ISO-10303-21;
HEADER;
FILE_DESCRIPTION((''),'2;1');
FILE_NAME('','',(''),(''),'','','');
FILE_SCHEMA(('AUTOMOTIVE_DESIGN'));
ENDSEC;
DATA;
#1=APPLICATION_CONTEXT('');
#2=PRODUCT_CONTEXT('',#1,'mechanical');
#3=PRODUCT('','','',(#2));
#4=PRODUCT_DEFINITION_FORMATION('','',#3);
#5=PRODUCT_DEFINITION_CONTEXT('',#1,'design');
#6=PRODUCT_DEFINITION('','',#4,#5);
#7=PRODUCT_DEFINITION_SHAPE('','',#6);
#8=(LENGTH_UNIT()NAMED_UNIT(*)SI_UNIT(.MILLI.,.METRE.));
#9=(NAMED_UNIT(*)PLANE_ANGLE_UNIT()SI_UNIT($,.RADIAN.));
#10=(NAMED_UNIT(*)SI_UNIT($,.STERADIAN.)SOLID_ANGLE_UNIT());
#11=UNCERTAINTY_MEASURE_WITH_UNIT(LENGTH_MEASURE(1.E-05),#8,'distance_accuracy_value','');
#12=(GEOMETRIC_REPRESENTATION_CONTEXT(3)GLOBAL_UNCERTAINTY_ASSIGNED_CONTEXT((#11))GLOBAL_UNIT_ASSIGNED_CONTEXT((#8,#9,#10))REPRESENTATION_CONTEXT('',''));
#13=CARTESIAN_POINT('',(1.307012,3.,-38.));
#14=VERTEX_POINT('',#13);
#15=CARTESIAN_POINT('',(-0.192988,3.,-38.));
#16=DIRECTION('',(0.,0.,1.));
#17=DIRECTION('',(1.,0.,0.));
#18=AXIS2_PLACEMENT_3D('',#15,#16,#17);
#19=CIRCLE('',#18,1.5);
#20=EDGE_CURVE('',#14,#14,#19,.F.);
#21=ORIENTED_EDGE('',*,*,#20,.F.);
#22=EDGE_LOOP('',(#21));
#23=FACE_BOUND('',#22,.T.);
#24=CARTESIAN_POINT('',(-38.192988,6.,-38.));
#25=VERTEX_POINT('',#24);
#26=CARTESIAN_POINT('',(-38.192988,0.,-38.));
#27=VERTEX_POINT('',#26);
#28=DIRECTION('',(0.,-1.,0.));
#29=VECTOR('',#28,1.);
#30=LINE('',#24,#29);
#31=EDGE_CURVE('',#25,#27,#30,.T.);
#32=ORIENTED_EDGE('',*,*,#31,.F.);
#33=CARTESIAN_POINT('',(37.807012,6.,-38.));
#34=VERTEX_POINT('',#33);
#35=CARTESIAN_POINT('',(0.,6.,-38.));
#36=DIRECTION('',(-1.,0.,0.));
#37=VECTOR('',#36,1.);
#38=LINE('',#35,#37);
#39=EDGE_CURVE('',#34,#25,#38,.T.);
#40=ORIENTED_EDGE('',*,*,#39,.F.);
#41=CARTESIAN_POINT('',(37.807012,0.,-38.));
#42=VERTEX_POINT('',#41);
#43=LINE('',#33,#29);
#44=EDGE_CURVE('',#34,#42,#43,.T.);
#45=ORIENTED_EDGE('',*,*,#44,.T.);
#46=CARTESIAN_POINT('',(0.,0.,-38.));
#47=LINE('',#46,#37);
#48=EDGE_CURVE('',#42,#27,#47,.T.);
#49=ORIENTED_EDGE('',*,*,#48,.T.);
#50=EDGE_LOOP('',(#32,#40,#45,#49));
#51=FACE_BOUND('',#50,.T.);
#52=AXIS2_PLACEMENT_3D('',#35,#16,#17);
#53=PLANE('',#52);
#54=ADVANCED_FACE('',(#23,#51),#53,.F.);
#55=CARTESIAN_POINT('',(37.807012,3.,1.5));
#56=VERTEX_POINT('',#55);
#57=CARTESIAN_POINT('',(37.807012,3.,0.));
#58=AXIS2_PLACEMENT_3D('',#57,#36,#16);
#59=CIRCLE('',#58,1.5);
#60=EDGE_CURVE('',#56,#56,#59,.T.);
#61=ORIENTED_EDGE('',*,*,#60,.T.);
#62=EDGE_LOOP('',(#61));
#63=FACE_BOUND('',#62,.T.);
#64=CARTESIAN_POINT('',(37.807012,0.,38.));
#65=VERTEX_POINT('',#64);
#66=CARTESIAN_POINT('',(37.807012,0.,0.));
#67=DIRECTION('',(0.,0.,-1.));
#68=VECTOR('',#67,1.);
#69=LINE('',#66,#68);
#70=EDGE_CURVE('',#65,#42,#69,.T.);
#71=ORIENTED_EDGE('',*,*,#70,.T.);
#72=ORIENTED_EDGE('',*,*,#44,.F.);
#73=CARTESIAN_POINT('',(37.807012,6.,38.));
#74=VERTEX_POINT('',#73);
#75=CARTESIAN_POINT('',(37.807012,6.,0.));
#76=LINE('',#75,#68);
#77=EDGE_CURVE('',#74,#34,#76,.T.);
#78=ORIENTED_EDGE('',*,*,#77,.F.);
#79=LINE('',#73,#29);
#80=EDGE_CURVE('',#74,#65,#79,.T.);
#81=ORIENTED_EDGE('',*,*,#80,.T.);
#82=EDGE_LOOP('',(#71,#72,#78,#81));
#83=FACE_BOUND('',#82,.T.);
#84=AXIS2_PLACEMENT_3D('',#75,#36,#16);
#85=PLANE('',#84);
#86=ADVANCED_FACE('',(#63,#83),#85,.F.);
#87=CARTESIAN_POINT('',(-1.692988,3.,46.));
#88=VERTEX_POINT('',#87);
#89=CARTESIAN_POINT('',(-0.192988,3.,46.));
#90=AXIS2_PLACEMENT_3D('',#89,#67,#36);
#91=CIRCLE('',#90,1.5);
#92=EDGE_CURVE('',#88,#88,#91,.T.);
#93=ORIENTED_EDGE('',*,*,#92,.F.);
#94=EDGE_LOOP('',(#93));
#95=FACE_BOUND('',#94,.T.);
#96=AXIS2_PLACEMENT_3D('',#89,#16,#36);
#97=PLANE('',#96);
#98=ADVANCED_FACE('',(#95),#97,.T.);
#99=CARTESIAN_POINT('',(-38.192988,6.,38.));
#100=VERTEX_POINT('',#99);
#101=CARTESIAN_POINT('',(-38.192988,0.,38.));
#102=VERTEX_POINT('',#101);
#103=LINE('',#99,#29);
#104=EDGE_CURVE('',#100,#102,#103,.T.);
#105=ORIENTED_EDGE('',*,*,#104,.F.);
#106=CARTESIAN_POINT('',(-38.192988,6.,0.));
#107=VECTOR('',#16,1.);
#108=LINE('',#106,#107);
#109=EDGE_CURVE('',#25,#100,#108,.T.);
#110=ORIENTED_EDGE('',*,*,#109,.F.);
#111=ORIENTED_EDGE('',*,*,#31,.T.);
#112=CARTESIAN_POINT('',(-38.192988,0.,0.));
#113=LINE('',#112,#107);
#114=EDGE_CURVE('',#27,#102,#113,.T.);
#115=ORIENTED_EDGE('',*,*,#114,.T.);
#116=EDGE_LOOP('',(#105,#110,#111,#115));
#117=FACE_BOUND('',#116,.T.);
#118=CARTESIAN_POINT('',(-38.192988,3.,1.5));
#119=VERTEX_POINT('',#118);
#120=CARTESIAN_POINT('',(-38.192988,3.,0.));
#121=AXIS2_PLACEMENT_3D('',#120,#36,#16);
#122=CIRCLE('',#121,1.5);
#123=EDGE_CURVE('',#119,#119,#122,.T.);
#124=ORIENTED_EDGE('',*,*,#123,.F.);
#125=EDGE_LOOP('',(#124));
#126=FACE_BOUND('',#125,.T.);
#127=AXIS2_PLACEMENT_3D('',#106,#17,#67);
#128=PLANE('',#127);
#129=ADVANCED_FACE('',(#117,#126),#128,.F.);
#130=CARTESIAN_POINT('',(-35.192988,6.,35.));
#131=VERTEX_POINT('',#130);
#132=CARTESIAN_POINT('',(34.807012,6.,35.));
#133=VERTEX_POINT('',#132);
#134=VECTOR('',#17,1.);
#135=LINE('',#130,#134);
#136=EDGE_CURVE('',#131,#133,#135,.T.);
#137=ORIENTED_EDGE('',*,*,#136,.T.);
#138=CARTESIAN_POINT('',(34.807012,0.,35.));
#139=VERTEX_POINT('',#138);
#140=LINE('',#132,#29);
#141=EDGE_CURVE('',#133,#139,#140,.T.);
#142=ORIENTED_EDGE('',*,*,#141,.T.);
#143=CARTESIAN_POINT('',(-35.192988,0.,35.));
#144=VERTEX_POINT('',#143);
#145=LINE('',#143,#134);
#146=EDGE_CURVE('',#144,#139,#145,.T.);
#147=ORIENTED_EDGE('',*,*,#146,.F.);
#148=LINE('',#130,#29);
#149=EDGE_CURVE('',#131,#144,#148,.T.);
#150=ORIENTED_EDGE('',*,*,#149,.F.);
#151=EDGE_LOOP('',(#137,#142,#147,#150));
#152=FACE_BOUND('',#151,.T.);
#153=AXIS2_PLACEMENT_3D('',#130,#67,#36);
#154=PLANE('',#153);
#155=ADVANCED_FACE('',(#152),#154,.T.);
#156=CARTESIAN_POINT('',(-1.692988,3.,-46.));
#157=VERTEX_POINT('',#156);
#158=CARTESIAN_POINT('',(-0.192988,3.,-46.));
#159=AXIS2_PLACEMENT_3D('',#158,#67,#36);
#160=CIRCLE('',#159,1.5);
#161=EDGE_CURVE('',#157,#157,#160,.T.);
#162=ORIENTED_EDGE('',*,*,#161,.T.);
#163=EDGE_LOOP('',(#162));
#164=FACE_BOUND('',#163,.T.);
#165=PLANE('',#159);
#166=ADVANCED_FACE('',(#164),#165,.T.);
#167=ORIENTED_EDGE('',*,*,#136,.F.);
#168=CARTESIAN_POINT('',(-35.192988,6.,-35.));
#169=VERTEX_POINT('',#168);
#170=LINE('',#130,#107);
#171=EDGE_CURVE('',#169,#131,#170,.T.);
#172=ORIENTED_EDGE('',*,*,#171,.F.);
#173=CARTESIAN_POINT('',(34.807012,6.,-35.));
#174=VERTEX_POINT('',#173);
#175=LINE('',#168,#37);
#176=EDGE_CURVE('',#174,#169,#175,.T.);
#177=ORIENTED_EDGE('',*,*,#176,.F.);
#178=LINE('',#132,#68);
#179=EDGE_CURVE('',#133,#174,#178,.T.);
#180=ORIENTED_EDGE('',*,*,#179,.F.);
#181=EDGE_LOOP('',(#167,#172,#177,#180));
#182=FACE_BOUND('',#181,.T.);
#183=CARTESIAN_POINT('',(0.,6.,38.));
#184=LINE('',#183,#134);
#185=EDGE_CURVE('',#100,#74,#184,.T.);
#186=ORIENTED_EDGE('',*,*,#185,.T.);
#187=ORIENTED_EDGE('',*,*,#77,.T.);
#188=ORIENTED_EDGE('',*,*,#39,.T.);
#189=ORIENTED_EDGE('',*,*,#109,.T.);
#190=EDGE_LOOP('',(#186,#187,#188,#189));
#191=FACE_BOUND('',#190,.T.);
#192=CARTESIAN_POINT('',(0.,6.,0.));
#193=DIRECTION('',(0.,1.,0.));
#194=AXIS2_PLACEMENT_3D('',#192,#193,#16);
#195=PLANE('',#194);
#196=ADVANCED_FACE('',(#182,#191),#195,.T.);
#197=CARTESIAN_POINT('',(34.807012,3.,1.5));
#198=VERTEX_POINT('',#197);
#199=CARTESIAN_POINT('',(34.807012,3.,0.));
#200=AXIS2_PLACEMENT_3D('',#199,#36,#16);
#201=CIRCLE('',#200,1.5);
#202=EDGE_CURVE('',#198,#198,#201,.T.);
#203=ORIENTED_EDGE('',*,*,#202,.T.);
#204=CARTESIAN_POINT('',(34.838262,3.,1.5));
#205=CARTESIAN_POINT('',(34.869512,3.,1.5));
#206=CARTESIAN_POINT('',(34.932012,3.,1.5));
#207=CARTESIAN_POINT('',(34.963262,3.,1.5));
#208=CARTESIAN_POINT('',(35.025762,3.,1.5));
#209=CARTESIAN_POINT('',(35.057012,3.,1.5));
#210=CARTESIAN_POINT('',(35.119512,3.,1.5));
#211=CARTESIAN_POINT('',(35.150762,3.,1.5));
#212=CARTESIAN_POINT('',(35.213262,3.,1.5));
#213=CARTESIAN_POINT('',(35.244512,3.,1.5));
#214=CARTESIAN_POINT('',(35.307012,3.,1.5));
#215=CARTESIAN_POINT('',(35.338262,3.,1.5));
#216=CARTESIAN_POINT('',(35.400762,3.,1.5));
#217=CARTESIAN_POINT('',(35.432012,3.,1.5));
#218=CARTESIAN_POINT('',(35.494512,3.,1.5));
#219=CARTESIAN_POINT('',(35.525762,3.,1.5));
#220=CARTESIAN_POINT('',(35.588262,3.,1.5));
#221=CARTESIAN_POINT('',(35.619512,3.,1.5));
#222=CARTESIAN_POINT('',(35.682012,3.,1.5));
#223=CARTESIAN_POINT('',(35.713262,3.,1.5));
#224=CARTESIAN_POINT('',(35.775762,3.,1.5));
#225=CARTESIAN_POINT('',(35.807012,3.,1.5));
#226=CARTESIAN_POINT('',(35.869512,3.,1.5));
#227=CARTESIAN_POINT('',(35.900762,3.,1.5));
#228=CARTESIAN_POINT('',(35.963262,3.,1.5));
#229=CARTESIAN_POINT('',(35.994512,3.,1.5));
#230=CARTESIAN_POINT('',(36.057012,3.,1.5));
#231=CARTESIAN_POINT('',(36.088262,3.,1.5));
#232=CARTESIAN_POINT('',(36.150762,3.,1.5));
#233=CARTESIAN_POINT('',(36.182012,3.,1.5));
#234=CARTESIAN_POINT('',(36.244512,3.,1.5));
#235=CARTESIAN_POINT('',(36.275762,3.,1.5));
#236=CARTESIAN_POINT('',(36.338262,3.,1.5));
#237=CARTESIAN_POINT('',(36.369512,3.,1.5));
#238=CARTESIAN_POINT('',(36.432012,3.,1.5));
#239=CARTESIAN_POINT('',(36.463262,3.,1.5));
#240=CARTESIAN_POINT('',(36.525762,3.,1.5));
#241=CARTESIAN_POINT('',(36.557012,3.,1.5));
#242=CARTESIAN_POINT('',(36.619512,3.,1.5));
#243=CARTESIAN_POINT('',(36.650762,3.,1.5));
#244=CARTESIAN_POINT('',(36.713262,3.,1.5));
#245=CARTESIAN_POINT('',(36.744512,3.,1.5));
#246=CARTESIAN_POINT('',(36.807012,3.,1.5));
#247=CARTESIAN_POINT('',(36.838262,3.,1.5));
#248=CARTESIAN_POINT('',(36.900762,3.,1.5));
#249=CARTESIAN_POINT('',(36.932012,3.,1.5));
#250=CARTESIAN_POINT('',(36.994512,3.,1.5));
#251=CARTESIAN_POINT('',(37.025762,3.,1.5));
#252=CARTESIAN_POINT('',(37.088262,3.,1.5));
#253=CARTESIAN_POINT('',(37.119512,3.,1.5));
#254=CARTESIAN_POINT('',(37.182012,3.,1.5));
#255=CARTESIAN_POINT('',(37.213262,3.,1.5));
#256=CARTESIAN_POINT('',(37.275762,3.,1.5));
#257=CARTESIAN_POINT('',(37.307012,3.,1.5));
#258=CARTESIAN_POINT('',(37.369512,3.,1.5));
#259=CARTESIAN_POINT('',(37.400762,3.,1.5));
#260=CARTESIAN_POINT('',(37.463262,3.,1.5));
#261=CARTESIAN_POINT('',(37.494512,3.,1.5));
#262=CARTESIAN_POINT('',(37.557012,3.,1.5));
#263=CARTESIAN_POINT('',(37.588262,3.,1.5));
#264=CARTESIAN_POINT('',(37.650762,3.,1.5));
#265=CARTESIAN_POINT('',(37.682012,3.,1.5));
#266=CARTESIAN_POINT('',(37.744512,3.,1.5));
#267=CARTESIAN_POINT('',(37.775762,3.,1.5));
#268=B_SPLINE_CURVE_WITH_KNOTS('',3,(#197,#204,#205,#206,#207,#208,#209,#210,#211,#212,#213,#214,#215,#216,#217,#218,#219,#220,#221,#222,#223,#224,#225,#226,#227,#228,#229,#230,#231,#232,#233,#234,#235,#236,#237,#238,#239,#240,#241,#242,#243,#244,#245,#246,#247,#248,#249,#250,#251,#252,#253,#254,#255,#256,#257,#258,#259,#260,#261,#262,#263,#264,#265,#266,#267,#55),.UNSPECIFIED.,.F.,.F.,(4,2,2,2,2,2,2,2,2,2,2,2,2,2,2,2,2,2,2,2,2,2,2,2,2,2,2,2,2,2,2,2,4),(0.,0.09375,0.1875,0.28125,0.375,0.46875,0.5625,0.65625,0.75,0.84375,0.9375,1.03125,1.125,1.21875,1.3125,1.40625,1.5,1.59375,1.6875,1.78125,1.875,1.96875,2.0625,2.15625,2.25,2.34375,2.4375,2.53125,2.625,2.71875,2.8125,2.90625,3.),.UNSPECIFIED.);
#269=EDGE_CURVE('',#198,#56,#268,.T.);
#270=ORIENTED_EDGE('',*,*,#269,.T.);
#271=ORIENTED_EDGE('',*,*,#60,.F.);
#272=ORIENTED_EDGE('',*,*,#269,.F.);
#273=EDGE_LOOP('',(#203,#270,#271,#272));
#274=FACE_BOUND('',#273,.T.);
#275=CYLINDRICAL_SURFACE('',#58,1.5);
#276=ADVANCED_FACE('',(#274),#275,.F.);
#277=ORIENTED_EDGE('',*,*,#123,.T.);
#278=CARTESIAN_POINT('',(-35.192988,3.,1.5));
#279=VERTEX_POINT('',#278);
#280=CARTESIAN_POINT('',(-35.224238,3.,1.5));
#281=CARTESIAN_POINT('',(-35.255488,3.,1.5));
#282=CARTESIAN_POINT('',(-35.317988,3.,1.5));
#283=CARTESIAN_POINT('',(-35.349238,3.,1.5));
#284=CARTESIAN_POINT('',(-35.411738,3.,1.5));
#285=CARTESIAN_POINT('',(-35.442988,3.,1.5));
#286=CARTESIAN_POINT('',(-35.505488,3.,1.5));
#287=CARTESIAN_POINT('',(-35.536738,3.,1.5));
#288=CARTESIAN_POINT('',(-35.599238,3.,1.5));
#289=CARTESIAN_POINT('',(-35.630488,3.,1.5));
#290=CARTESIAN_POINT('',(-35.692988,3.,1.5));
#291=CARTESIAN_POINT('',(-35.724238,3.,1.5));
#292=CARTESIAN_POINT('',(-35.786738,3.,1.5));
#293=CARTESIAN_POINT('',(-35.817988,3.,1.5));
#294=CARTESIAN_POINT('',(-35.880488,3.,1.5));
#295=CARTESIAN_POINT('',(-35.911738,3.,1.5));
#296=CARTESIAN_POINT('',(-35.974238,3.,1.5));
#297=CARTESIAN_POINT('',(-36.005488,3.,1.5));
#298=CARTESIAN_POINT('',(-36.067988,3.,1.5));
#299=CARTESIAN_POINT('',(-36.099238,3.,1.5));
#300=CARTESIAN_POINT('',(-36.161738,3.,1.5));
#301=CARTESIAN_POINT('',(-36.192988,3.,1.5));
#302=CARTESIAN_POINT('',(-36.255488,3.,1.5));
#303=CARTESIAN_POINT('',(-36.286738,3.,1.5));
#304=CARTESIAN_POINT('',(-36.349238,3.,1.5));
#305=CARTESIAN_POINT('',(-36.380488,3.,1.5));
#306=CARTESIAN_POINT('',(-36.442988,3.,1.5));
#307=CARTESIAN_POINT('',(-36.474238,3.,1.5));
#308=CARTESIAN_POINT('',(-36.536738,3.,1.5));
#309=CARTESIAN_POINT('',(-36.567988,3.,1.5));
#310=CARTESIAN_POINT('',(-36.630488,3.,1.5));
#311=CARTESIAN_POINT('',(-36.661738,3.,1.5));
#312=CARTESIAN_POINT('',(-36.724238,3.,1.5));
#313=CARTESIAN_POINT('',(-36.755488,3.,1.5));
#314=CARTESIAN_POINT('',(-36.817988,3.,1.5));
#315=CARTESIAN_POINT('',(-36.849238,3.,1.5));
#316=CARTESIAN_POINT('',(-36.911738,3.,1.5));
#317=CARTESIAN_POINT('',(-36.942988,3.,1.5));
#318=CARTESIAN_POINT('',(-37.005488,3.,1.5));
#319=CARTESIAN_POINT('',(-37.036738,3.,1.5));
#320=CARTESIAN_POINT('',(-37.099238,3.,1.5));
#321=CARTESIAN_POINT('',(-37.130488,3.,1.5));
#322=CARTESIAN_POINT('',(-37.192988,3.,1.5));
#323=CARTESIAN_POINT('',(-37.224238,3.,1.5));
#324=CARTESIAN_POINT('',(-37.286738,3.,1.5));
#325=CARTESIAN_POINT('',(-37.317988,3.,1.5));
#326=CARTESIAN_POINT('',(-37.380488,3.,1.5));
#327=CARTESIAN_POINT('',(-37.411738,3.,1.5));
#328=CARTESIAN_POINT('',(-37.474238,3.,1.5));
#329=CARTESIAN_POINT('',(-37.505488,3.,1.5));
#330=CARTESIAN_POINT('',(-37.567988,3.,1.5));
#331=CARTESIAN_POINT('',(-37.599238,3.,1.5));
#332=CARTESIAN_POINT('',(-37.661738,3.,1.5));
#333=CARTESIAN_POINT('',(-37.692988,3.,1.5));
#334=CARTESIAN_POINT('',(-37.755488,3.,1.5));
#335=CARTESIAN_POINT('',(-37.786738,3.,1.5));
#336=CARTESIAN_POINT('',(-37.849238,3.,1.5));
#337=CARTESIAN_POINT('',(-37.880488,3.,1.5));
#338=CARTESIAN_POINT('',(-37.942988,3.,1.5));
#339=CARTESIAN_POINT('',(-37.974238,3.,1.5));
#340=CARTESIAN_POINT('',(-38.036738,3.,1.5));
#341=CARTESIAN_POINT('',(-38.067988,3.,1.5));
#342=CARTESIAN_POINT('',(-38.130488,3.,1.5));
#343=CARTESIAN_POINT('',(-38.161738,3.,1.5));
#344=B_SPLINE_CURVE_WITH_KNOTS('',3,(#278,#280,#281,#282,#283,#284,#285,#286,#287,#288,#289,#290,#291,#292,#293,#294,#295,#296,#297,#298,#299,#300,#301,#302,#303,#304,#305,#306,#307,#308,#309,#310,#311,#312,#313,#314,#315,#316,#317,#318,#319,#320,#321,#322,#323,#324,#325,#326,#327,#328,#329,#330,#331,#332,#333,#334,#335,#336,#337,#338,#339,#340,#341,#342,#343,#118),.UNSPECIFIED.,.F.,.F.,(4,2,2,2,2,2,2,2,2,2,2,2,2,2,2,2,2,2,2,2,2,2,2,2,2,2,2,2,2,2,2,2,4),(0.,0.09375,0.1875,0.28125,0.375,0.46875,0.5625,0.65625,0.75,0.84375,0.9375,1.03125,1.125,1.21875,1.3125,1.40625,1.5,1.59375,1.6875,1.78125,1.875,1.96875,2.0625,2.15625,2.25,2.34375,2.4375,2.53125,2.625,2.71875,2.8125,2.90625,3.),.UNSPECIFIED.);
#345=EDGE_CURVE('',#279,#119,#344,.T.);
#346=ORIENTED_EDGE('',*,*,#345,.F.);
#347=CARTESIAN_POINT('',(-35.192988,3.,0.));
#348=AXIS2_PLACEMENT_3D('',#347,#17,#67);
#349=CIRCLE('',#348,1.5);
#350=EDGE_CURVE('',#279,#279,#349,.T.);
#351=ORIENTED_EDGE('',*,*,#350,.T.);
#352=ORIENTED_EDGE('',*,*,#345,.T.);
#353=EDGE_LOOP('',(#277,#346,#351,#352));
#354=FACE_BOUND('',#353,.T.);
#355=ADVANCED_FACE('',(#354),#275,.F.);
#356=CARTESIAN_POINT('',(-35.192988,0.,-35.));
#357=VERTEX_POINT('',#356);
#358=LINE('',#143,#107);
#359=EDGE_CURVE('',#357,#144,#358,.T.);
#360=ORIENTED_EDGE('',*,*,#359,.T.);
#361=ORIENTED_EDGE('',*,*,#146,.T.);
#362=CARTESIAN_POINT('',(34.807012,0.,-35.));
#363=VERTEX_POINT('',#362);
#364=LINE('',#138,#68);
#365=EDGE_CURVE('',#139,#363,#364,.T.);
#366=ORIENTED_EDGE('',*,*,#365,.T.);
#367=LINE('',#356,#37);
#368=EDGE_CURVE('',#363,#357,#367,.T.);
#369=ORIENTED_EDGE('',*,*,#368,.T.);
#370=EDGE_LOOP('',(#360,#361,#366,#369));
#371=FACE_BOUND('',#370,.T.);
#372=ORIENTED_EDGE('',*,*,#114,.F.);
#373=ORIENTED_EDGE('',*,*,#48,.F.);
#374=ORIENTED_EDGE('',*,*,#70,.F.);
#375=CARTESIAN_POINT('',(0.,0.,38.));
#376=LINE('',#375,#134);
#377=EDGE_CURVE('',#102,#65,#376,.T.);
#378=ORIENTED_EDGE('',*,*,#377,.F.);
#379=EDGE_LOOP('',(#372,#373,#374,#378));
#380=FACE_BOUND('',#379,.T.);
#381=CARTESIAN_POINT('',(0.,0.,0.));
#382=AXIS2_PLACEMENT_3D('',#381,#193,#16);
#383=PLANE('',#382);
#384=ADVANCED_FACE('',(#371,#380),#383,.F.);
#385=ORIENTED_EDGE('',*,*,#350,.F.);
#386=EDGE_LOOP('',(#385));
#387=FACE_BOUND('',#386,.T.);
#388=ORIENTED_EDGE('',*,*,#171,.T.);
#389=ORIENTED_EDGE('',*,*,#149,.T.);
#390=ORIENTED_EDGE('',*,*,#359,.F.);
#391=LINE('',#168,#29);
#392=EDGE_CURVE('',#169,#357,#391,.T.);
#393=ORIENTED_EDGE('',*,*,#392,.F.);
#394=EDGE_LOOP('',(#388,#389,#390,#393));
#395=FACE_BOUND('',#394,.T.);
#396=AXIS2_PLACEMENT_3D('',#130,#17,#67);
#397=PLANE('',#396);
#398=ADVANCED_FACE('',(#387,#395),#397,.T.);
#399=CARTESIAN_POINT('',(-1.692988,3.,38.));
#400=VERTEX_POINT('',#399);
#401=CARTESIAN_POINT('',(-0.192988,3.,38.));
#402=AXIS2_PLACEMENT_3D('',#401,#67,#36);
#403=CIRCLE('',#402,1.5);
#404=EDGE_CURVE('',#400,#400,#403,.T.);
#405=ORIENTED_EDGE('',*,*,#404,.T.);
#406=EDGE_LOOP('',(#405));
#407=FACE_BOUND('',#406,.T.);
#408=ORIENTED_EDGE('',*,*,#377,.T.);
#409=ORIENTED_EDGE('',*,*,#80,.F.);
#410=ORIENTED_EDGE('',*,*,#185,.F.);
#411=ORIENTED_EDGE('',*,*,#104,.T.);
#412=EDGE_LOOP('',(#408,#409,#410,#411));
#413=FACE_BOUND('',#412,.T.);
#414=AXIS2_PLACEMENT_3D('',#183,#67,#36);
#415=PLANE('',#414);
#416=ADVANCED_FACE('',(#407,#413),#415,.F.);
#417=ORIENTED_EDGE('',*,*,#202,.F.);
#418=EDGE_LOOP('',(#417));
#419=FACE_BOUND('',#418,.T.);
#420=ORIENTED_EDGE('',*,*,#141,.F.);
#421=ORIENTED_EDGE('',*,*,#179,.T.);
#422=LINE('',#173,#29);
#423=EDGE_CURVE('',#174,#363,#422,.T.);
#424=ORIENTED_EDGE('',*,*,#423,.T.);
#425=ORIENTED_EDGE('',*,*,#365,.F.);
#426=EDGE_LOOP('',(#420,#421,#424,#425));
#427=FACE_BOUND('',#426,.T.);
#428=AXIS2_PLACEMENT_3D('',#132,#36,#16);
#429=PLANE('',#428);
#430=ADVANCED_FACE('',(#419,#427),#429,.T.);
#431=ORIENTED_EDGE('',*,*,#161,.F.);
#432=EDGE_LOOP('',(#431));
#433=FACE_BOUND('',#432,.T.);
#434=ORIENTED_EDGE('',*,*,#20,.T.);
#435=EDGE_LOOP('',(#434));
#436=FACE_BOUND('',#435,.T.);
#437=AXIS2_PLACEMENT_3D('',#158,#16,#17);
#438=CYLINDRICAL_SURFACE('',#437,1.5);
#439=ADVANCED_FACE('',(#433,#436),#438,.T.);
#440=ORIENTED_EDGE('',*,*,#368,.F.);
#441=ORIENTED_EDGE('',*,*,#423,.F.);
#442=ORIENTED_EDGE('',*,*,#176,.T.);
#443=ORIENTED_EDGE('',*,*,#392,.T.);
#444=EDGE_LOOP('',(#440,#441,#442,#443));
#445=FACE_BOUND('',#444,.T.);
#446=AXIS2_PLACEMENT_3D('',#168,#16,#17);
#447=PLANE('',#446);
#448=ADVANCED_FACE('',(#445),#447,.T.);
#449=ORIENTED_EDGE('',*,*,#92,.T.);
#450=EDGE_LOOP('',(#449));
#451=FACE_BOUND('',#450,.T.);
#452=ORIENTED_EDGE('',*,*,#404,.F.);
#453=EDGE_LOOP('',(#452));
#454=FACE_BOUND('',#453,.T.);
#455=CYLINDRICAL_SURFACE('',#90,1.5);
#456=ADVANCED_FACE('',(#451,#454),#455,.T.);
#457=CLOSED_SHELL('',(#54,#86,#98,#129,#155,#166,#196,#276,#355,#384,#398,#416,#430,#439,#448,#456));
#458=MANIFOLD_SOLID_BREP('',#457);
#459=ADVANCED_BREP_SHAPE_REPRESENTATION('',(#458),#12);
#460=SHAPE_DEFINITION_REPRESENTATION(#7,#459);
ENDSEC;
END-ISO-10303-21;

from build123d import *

# Parameters (mm, degrees)
SKETCH1_W               = 76
SKETCH1_H               = 76
SKETCH1_W_2             = 70
SKETCH1_H_2             = 70
EXTRUDE_THIN1_DEPTH     = 6
CUT_EXTRUDE1_DEPTH      = 83.516664984
CUT_EXTRUDE1_DEPTH_BACK = 83.516664984
SKETCH2_R               = 1.5
SKETCH3_R               = 1.5
BOSS_EXTRUDE1_DEPTH     = 8


with BuildPart() as part:
    # Sketch1 → Extrude-Thin1 (new body)
    with BuildSketch(Plane(origin=(0, 0, 0), x_dir=(1, 0, 0), z_dir=(0, 1, 0))):
        with Locations((-0.192988196, 0)):
            Rectangle(SKETCH1_W, SKETCH1_H)
        with Locations((-0.192988196, 0)):
            Rectangle(SKETCH1_W_2, SKETCH1_H_2, mode=Mode.SUBTRACT)
    extrude(amount=EXTRUDE_THIN1_DEPTH)

    # Sketch2 → Cut-Extrude1 (cut, two sides: drawn at the far end of the back side and taken through both)
    with BuildSketch(Plane.ZY.offset(-34.807011804).offset(-CUT_EXTRUDE1_DEPTH_BACK)):
        with Locations((0, 3)):
            Circle(SKETCH2_R)
    extrude(amount=CUT_EXTRUDE1_DEPTH + CUT_EXTRUDE1_DEPTH_BACK, mode=Mode.SUBTRACT)

    # Sketch3 → Boss-Extrude1 (add)
    with BuildSketch(Plane(origin=(0, 0, -38), x_dir=(-1, 0, 0), z_dir=(0, 0, -1))):
        with Locations(Location((0.192988196, 3, 0), (0, 0, 180))):
            Circle(SKETCH3_R)
    boss_extrude1 = extrude(amount=BOSS_EXTRUDE1_DEPTH)

    # Mirror1: Boss-Extrude1 across plane
    add(boss_extrude1.mirror(Plane.XY))


solid = part.part
